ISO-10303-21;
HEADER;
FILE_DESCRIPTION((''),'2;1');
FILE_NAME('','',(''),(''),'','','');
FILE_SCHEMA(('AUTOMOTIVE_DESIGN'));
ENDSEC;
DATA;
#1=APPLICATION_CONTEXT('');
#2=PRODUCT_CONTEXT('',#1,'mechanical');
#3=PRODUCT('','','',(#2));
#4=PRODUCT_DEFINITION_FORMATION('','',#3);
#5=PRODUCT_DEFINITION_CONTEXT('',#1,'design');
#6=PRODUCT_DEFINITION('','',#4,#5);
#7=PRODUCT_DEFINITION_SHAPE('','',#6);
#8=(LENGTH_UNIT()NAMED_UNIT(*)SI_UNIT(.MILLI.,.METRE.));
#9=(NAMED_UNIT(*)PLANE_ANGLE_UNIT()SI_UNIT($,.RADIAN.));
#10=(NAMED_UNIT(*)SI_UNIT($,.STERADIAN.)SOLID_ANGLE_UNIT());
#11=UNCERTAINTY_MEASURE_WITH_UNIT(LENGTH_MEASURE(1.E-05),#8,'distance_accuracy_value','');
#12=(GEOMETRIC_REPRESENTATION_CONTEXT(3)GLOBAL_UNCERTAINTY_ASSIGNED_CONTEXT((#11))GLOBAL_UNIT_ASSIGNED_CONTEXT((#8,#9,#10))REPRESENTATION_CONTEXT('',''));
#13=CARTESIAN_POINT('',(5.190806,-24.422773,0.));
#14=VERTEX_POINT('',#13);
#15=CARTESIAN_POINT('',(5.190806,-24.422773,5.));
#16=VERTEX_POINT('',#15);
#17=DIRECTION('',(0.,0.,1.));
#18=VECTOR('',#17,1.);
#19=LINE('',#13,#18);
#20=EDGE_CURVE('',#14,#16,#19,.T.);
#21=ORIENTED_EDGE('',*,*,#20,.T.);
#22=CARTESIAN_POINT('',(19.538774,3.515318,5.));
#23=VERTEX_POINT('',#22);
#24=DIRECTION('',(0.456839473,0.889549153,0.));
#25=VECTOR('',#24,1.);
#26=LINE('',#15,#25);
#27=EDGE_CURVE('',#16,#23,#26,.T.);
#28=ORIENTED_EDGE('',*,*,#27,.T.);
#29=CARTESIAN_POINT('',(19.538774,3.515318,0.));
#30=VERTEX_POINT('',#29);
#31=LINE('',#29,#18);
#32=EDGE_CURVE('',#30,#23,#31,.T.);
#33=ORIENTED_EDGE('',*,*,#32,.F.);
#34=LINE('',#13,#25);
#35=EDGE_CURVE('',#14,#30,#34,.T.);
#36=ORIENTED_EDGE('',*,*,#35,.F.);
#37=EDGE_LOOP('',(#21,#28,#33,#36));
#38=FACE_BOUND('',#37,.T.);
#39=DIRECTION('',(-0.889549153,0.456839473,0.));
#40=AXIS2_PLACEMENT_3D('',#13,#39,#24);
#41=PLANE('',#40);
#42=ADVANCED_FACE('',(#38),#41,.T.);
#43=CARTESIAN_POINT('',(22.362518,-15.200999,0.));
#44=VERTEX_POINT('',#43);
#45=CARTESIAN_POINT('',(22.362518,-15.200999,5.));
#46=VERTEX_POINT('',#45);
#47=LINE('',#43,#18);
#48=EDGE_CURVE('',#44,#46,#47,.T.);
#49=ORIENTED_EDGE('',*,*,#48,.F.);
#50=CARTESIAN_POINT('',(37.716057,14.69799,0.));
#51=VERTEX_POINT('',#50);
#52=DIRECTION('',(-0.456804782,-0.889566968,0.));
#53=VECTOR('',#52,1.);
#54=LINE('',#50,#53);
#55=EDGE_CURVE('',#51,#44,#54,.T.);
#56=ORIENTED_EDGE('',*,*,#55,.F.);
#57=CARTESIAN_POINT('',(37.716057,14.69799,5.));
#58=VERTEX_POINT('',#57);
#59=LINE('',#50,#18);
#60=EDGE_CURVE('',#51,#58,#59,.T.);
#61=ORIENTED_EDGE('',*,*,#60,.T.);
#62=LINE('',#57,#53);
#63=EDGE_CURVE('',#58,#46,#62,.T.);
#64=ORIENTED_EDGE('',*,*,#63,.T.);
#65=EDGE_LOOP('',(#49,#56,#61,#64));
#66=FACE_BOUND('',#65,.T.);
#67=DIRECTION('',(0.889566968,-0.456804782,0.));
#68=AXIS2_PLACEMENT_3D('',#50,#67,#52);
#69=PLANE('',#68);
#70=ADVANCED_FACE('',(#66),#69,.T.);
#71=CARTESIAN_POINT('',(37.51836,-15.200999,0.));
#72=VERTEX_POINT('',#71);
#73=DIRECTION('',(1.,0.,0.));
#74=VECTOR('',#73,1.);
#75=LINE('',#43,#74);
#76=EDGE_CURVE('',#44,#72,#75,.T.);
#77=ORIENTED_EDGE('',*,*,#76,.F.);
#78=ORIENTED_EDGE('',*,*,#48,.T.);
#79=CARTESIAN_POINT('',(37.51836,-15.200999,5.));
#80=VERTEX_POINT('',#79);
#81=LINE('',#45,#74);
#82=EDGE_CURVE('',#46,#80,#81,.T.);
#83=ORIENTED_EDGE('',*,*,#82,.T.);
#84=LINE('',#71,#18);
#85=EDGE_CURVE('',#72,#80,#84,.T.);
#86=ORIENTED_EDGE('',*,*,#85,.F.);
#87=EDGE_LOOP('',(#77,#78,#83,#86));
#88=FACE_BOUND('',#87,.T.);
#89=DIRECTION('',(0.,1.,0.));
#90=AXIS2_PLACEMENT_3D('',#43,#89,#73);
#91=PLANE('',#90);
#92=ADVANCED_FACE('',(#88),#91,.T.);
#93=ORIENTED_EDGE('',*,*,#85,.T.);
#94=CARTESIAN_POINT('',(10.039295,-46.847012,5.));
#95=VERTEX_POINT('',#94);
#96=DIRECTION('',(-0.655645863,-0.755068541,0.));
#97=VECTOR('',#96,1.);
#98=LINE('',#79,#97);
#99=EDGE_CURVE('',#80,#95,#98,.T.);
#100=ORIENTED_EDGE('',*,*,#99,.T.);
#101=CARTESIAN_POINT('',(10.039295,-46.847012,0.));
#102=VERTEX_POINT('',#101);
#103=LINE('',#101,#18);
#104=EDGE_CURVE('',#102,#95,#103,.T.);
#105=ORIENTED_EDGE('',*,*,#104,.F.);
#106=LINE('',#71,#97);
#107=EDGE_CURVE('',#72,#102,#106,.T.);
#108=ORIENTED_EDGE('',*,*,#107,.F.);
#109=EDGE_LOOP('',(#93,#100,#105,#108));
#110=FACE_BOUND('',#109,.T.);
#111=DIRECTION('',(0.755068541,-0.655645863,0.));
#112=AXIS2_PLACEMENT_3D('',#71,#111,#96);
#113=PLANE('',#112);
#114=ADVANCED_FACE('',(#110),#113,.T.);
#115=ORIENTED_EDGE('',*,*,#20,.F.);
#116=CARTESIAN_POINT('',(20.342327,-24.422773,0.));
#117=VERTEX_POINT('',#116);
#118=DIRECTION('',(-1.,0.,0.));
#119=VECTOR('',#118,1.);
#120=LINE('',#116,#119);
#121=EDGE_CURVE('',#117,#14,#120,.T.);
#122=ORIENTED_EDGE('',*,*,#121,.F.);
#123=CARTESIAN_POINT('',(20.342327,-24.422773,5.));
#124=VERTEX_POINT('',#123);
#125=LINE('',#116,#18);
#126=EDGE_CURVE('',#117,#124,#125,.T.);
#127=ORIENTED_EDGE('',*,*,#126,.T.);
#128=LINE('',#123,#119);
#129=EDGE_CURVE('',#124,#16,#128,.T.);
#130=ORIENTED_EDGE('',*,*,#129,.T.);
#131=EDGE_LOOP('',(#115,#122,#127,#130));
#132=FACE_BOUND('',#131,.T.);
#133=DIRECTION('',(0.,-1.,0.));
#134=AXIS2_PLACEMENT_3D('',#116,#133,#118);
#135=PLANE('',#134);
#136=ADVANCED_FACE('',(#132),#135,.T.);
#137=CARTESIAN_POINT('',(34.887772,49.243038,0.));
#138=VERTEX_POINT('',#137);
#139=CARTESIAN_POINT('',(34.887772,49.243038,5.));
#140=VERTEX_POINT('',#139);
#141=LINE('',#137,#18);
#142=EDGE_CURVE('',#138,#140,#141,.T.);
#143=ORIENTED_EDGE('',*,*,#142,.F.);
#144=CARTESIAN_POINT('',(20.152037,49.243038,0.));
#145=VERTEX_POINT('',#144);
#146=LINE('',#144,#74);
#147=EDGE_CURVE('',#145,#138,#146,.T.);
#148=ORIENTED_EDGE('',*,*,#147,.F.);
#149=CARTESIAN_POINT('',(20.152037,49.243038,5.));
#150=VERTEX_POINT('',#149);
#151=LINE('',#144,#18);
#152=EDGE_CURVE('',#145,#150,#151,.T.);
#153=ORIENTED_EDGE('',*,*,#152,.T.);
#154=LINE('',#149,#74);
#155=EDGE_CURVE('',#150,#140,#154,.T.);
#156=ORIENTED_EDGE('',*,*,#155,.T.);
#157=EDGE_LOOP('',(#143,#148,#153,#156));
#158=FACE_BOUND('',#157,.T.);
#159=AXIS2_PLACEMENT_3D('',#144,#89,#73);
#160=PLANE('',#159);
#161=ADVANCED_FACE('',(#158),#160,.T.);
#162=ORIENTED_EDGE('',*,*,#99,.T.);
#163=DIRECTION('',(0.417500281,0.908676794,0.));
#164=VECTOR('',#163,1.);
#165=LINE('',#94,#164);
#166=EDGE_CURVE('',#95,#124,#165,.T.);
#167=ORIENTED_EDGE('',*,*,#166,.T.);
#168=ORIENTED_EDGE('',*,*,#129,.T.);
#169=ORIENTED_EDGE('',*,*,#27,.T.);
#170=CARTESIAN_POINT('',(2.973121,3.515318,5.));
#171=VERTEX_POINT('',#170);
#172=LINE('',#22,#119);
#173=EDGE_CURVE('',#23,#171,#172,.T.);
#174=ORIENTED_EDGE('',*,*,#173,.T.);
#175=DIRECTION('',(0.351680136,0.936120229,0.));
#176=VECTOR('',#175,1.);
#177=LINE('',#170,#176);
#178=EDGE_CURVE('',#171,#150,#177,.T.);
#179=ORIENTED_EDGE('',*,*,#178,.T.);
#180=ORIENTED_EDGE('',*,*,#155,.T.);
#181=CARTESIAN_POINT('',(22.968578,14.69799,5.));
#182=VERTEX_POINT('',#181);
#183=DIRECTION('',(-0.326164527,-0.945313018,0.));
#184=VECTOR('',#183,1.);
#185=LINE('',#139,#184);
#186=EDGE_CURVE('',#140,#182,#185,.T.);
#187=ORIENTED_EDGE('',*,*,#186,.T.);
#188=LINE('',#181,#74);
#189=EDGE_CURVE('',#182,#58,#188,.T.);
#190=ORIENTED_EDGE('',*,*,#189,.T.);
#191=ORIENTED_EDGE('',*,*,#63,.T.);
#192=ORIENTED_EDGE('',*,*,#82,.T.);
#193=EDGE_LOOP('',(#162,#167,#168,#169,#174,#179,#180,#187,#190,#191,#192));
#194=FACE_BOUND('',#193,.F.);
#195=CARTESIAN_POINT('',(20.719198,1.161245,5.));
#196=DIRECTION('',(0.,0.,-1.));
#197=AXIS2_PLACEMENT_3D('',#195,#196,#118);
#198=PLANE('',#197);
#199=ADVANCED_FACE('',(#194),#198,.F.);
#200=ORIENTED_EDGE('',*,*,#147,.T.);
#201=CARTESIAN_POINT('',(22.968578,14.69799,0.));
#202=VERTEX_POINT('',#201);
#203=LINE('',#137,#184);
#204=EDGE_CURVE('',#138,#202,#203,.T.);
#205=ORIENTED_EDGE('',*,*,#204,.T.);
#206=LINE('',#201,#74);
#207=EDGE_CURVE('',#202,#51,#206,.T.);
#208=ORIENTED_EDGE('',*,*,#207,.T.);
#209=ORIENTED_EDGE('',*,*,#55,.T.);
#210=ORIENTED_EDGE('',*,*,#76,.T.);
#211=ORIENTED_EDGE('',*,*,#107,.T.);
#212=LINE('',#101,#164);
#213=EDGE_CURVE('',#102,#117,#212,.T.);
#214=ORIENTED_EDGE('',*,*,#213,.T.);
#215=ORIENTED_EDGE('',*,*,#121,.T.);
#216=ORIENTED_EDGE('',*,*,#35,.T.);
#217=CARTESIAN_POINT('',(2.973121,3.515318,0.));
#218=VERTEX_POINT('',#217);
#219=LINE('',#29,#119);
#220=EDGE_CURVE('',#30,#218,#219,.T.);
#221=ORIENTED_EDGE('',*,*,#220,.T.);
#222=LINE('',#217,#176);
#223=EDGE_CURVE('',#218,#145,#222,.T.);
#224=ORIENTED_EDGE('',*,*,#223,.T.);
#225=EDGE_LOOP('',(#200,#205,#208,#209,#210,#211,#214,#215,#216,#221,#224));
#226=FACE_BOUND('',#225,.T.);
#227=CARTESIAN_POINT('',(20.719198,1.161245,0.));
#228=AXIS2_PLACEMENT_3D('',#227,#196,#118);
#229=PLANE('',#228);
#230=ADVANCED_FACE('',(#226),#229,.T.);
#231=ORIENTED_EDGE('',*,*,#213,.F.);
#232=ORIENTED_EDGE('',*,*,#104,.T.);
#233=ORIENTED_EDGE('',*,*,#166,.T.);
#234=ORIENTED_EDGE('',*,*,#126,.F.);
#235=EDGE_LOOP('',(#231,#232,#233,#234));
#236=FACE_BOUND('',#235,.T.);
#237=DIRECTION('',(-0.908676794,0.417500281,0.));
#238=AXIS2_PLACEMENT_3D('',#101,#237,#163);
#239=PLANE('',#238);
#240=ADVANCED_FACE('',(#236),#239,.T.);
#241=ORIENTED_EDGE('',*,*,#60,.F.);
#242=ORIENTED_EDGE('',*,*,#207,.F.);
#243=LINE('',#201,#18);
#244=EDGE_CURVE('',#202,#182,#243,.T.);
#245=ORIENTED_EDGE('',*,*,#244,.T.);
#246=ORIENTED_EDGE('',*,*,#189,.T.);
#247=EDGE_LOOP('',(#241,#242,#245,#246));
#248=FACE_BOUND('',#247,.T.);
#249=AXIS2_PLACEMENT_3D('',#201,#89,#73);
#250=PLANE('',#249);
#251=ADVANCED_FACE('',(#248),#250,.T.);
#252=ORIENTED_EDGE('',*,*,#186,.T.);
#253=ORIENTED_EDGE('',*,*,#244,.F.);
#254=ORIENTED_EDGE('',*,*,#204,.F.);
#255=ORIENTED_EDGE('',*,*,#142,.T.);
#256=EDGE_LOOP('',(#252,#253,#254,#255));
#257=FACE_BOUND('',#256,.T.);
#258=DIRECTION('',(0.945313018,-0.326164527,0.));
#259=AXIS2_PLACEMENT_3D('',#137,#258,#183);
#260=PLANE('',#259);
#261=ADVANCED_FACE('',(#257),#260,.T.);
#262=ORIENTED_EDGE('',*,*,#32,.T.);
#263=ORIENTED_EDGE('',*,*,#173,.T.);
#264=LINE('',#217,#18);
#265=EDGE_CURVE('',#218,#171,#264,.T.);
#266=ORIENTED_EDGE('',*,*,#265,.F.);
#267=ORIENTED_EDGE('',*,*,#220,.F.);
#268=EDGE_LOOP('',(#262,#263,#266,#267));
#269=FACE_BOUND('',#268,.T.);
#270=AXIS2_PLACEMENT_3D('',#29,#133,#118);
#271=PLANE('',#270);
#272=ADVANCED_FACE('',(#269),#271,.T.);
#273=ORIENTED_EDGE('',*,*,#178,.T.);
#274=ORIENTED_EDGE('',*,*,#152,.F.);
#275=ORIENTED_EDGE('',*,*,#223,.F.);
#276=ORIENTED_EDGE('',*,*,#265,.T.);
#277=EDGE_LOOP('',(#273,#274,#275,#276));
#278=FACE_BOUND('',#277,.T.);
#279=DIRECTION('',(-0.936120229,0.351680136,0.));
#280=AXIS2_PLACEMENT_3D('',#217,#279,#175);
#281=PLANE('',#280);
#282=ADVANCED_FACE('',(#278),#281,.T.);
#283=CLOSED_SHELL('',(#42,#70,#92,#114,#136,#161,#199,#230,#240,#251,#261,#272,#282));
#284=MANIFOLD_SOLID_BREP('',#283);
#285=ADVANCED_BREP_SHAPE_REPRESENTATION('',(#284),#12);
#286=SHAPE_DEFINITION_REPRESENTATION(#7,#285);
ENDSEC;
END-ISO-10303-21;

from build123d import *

# Parameters (mm, degrees)
PAD_DEPTH = 5


with BuildPart() as part:
    # Sketch → Pad (new body)
    with BuildSketch(Plane.XY):
        Polygon((20.152037, 49.243038), (34.887772, 49.243038), (22.968578, 14.69799), (37.716057, 14.69799), (22.362518, -15.200999), (37.51836, -15.200999), (10.039295, -46.847012), (20.342327, -24.422773), (5.190806, -24.422773), (19.538774, 3.515318), (2.973121, 3.515318), align=None)
    extrude(amount=PAD_DEPTH)


solid = part.part
